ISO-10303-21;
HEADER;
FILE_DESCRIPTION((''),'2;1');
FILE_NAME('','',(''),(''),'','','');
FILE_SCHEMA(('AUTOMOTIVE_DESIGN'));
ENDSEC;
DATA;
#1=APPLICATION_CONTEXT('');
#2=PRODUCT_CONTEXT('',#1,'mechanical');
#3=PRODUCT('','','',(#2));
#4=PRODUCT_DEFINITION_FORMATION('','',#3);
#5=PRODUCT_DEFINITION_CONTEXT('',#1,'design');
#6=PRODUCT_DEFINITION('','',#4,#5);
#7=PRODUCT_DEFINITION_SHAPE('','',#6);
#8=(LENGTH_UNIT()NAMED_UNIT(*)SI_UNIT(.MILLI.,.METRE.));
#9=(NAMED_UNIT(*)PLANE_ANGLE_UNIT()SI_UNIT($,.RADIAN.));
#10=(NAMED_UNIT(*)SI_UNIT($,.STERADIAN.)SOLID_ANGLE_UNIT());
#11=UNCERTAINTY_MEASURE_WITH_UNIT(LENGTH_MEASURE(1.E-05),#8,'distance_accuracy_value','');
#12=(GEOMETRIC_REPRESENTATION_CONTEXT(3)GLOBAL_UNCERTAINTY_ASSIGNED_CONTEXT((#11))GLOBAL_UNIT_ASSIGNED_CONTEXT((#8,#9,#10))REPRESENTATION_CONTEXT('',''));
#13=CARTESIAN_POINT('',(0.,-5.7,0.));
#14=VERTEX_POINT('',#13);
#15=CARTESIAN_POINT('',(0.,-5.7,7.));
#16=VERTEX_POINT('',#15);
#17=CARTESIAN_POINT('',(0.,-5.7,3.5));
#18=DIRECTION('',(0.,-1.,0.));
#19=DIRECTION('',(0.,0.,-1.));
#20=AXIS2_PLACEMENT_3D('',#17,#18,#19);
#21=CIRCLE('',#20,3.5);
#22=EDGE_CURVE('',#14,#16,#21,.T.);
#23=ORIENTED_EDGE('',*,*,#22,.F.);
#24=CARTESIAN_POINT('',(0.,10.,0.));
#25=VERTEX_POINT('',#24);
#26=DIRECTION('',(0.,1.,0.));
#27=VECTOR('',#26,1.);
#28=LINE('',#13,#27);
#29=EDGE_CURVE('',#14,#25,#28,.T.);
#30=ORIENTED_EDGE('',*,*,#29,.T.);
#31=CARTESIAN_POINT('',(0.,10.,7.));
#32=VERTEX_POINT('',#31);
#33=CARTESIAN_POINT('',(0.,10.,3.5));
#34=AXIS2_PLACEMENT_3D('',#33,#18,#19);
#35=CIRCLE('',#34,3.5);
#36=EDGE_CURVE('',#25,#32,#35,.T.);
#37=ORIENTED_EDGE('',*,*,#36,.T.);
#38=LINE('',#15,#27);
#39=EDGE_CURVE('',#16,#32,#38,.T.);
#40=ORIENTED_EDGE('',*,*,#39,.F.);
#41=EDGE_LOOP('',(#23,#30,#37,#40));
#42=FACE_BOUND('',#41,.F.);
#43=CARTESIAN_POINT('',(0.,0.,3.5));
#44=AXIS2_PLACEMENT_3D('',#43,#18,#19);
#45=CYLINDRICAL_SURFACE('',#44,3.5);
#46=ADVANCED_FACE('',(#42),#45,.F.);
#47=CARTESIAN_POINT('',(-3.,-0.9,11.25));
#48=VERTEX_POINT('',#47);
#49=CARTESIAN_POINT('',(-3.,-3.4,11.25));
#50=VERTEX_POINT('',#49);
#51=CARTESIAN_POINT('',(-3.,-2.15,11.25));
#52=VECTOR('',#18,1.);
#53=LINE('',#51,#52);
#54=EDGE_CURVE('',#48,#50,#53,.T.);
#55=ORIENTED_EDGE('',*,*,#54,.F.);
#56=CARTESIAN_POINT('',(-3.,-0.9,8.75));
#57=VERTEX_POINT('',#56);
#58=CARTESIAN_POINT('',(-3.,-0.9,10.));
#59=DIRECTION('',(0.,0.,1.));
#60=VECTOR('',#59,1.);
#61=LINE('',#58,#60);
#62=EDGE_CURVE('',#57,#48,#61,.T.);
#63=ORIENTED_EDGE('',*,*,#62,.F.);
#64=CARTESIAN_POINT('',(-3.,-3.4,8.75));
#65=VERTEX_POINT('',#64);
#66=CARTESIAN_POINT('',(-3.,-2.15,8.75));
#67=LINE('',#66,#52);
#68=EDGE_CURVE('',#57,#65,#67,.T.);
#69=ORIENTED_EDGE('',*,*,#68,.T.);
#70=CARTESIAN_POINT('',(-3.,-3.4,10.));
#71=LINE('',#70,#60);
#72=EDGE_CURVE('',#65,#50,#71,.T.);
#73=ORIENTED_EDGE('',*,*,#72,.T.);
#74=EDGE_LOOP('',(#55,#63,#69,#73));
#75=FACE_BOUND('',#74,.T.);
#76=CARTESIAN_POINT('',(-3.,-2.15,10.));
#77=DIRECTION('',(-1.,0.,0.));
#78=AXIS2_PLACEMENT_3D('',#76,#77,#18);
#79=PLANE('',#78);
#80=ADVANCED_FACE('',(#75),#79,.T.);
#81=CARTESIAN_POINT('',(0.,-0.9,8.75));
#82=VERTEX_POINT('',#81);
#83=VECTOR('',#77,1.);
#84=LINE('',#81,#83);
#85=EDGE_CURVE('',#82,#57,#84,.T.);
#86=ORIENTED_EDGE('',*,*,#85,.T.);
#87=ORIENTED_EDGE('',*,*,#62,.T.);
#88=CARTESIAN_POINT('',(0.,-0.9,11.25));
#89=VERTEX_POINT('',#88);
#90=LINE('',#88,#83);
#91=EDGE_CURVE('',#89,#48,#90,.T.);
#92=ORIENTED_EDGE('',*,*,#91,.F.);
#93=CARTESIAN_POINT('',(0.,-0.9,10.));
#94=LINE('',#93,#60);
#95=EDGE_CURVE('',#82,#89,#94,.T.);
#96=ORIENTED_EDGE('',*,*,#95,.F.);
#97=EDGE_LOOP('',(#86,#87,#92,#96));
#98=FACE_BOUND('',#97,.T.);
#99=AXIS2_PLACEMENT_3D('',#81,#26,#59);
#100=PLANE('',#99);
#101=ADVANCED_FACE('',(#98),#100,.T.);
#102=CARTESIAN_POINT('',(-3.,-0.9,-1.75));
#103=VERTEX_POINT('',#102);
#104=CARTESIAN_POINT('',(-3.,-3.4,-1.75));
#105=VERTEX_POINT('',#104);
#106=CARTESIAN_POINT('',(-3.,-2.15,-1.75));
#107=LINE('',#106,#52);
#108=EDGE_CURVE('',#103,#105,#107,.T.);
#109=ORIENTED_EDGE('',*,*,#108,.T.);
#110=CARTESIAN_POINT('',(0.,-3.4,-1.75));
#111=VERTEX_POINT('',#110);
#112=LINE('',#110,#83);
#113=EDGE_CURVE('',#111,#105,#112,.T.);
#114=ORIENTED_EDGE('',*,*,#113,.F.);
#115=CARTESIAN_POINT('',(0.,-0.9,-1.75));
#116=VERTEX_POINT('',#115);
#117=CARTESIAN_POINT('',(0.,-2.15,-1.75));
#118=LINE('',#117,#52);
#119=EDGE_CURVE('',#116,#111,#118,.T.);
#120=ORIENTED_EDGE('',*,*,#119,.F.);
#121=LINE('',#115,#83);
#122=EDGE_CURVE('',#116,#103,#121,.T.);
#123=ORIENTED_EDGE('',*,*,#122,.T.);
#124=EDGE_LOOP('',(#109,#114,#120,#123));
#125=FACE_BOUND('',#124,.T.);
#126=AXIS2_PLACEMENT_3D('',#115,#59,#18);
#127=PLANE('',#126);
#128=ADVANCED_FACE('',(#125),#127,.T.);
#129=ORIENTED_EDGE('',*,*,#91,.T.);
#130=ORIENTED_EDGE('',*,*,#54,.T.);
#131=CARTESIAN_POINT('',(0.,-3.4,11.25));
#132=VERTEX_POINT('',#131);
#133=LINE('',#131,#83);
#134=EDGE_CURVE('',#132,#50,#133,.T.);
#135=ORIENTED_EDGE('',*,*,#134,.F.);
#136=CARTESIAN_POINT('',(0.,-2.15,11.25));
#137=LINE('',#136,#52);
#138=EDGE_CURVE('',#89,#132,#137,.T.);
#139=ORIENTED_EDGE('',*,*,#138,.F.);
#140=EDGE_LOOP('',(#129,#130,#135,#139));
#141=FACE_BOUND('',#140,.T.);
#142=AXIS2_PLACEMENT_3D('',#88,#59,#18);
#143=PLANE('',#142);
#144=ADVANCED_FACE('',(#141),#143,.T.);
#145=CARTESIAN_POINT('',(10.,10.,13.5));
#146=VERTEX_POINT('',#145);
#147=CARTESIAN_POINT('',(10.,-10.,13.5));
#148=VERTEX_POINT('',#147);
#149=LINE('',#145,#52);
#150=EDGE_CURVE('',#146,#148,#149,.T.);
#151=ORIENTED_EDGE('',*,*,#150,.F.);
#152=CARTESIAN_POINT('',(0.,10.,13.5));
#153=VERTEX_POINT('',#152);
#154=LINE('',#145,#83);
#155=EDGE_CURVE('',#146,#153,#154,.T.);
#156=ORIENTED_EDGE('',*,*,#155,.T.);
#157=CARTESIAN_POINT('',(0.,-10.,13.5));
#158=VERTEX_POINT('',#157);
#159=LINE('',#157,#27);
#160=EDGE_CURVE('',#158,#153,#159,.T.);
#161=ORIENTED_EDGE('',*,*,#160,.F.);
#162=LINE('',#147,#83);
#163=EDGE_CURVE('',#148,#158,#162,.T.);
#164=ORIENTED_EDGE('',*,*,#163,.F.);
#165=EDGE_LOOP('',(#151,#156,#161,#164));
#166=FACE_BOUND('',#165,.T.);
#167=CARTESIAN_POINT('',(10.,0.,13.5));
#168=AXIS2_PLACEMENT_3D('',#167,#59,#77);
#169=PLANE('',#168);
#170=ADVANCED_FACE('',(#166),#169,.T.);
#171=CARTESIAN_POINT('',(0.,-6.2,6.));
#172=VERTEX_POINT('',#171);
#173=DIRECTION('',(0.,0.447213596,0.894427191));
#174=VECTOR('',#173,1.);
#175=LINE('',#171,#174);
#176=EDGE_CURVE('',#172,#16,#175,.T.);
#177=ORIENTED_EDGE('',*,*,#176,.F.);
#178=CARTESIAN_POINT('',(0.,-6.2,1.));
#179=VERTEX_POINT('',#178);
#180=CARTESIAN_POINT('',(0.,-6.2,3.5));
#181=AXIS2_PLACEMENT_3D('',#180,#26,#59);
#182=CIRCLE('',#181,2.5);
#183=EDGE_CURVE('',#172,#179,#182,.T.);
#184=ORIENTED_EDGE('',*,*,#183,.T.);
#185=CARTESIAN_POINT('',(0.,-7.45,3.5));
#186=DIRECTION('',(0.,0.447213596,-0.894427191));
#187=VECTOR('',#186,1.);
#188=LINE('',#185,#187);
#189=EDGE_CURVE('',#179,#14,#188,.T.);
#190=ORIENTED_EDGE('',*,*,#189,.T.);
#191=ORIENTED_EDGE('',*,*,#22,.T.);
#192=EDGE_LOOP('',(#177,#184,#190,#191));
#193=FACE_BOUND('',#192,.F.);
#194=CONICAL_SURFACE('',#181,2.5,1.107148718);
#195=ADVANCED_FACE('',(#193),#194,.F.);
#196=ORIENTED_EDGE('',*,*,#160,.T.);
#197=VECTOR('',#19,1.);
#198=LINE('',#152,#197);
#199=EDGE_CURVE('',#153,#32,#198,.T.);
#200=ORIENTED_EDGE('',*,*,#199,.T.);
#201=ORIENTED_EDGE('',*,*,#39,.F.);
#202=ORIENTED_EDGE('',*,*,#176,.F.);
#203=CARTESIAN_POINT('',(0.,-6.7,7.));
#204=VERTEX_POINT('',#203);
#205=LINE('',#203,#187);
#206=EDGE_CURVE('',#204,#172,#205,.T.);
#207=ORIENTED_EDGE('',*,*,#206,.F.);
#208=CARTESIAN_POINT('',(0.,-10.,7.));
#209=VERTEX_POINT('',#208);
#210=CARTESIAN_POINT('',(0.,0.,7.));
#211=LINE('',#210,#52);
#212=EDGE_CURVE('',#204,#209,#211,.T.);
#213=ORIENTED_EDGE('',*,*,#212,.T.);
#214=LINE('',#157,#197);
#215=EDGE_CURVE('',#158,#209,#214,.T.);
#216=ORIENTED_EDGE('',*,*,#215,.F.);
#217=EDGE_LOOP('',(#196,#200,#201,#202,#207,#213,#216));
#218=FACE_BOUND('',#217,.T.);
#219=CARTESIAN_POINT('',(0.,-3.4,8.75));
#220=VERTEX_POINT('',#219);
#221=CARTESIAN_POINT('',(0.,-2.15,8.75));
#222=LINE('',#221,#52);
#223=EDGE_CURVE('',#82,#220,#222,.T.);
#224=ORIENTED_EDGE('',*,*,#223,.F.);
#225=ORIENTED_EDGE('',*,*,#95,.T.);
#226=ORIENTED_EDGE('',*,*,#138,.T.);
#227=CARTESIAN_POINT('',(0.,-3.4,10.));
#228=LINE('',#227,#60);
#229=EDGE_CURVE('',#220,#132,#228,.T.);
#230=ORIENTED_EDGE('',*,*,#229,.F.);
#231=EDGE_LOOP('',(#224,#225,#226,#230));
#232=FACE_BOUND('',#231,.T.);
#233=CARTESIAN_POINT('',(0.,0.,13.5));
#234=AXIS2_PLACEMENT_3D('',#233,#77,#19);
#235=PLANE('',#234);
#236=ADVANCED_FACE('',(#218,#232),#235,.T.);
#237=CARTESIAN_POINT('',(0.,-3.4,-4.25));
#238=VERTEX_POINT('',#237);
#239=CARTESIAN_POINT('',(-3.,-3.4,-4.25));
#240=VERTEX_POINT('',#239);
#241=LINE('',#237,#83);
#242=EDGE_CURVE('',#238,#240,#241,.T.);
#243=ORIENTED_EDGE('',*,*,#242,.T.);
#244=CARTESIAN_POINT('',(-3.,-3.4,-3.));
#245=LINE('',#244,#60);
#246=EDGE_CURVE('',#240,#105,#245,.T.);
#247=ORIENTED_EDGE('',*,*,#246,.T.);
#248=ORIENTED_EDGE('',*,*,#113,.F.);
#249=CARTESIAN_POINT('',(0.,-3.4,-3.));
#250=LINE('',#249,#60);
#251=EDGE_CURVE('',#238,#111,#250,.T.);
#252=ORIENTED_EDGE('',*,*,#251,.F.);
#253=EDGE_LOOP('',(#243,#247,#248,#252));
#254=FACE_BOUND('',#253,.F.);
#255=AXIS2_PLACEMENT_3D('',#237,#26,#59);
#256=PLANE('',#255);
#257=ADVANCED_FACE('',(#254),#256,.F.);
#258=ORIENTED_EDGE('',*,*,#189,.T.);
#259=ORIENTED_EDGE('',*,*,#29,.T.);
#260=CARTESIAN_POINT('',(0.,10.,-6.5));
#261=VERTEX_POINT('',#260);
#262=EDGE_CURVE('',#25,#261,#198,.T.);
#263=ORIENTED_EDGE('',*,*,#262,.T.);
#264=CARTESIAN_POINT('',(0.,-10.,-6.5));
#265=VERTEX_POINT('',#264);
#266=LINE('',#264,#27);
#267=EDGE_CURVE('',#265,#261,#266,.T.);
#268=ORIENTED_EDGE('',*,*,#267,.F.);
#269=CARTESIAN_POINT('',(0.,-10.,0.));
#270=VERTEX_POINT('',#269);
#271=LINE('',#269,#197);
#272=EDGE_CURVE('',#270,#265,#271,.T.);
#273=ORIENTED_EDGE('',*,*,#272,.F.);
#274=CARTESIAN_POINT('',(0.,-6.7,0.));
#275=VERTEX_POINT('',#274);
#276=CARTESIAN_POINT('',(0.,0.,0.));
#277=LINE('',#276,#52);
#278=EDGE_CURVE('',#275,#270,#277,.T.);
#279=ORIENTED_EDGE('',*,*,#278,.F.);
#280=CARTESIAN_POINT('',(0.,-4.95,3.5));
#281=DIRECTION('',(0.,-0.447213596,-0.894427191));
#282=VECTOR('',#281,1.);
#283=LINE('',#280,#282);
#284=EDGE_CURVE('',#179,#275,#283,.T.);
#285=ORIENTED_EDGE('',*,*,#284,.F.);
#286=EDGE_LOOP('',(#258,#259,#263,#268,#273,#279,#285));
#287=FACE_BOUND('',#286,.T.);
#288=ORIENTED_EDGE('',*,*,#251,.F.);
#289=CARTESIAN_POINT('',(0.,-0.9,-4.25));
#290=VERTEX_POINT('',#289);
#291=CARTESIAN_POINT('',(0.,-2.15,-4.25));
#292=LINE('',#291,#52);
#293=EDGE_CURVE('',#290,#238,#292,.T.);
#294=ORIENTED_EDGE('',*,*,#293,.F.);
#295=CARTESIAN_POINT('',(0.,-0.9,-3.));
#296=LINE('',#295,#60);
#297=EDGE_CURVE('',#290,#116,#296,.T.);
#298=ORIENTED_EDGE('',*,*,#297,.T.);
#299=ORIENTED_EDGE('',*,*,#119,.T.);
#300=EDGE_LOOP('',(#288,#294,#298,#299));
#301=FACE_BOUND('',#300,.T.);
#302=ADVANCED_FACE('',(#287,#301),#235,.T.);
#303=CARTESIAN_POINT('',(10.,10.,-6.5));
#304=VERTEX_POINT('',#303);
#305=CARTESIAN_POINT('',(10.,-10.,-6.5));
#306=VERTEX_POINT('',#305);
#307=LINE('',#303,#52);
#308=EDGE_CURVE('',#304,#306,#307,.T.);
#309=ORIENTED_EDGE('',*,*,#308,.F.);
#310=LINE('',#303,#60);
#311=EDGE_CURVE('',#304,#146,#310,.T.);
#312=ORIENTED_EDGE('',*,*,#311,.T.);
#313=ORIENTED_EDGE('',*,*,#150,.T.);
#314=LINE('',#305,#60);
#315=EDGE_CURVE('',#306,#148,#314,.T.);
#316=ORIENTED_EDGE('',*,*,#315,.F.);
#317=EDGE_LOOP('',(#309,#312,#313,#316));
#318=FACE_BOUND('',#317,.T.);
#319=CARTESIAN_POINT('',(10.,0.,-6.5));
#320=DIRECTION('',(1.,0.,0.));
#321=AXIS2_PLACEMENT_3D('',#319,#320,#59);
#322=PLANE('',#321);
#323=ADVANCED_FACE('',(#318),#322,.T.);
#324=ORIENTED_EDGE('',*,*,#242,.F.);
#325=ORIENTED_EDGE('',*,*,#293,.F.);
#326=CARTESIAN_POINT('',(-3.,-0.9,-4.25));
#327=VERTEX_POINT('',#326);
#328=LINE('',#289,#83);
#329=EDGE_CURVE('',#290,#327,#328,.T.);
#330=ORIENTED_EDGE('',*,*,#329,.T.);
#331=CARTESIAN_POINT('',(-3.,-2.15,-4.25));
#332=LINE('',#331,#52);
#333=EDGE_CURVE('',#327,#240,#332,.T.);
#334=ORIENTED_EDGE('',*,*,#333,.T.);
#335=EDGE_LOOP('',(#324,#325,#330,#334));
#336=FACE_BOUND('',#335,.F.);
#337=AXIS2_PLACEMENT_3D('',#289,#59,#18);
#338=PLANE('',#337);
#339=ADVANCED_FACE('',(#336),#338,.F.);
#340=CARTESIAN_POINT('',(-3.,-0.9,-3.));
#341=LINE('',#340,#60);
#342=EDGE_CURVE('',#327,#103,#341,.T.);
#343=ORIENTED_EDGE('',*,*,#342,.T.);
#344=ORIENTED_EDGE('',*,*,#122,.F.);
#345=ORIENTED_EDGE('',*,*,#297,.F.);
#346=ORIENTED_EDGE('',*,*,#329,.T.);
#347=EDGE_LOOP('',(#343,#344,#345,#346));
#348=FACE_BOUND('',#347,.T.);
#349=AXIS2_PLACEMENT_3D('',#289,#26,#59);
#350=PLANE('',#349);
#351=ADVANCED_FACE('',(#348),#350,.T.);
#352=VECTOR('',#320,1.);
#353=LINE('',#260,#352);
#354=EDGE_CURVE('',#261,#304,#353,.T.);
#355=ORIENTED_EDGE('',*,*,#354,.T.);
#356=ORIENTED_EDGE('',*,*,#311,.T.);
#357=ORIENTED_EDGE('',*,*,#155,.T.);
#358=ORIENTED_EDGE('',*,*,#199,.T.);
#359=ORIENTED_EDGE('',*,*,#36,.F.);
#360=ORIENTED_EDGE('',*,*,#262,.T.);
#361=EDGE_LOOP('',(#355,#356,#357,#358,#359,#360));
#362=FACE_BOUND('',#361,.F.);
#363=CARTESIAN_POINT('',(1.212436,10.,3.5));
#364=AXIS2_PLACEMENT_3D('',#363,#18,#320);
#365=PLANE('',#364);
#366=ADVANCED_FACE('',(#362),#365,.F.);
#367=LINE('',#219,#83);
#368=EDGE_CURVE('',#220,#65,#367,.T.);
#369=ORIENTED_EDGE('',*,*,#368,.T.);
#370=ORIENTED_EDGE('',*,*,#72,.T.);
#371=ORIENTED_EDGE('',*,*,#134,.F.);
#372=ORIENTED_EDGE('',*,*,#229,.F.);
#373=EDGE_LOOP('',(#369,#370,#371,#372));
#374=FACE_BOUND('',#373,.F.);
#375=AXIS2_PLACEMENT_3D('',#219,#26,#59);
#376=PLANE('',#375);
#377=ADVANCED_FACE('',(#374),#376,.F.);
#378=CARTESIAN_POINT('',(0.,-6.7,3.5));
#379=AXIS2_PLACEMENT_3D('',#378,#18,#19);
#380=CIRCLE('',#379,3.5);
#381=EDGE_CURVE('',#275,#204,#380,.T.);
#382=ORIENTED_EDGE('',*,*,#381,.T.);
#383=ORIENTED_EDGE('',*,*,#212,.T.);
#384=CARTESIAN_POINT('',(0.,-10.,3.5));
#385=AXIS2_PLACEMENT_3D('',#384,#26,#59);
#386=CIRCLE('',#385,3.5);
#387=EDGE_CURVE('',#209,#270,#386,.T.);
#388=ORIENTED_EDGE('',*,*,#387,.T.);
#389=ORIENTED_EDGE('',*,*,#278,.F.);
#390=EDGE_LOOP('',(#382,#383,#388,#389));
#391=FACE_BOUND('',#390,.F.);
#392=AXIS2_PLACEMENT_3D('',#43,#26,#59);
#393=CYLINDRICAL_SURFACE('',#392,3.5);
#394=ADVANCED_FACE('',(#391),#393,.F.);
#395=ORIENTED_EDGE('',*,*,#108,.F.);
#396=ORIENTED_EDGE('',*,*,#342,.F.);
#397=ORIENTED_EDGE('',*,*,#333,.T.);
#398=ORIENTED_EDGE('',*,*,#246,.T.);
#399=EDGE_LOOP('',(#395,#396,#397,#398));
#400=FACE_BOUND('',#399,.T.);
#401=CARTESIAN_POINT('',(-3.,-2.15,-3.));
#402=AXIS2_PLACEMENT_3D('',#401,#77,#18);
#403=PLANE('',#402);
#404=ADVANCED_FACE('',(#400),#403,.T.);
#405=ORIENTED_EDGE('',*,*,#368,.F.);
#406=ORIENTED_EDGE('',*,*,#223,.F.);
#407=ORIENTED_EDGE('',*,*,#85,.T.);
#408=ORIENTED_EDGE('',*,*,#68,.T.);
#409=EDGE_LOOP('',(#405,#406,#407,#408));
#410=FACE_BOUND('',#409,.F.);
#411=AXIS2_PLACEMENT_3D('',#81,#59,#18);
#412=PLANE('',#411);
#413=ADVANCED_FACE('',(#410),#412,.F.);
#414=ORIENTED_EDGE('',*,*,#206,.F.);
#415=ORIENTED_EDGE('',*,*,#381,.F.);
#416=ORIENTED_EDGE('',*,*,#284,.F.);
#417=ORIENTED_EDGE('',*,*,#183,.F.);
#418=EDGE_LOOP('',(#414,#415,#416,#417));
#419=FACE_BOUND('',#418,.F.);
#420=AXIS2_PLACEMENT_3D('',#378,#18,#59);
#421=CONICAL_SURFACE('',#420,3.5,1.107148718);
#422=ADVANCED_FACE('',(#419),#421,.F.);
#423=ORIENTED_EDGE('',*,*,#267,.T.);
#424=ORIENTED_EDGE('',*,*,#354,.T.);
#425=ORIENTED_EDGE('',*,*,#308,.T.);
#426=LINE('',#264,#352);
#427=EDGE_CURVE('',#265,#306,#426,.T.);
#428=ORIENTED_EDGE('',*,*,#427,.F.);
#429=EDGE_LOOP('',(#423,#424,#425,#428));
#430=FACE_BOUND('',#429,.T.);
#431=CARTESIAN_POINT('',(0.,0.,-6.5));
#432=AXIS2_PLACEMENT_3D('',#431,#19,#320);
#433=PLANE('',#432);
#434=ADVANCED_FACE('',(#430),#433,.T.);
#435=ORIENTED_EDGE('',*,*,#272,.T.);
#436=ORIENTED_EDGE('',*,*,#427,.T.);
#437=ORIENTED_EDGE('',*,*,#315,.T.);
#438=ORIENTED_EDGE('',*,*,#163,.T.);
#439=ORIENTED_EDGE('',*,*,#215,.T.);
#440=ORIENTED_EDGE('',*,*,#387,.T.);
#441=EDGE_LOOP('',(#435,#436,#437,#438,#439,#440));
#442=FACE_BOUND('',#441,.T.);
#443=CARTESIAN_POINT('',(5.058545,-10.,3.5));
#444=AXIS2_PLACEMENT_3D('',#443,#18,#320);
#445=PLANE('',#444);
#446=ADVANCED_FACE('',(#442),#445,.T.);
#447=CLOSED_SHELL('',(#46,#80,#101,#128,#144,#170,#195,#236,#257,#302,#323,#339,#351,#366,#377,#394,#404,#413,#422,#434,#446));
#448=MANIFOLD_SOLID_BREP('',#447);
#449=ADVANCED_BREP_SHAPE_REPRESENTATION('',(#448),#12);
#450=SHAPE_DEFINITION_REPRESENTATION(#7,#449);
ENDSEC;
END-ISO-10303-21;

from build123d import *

# Parameters (mm, degrees)
F1_DEPTH  = 10
F3_DEPTH  = 6.7
F5_DEPTH  = 5.7
F8_W      = 2.5
F8_H      = 2.5
F10_DEPTH = 3
F9_W      = 2.5
F9_H      = 2.5
F11_DEPTH = 3
F13_DEPTH = 10
F14_DEPTH = 11


with BuildPart() as f1:
    # F0 (on Front) → F1 (new body)
    with BuildSketch(Plane.XZ):
        with BuildLine():
            ThreePointArc((0, 7), (3.5, 3.5), (0, 0))
            Line((0, 0), (0, -6.5))
            Line((0, -6.5), (10, -6.5))
            Line((10, -6.5), (10, 13.5))
            Line((10, 13.5), (0, 13.5))
            Line((0, 13.5), (0, 7))
        make_face()
    extrude(amount=F1_DEPTH)

    # F2 (on Front) → F3 (join)
    with BuildSketch(Plane.XZ):
        with BuildLine():
            ThreePointArc((0, 6), (2.5, 3.5), (0, 1))
            Line((0, 1), (0, 0))
            ThreePointArc((0, 0), (3.5, 3.5), (0, 7))
            Line((0, 7), (0, 6))
        make_face()
    extrude(amount=F3_DEPTH)

    # F4 (on Front) → F5 (cut)
    with BuildSketch(Plane.XZ):
        with BuildLine():
            Line((0, 1), (0, 0))
            ThreePointArc((0, 0), (3.5, 3.5), (0, 7))
            Line((0, 7), (0, 6))
            ThreePointArc((0, 6), (2.5, 3.5), (0, 1))
        make_face()
    extrude(amount=F5_DEPTH, mode=Mode.SUBTRACT)

    # F6 (on face) → F7 (revolve, cut)
    with BuildSketch(Plane(origin=(0, 0, 0), x_dir=(0, -1, 0), z_dir=(-1, 0, 0))):
        Polygon((6.2, 6), (5.7, 7), (5.7, 6), align=None)
        Polygon((6.7, 7), (6.2, 6), (6.7, 6), align=None)
    revolve(axis=Axis((0, 0, 3.5), (0, 1, 0)), mode=Mode.SUBTRACT)

    # F8 (on face) → F10 (join)
    with BuildSketch(Plane(origin=(0, 0, 0), x_dir=(0, -1, 0), z_dir=(-1, 0, 0))):
        with Locations((2.15, 10)):
            Rectangle(F8_W, F8_H)
    extrude(amount=F10_DEPTH)

    # F9 (on face) → F11 (join)
    with BuildSketch(Plane(origin=(0, 0, 0), x_dir=(0, -1, 0), z_dir=(-1, 0, 0))):
        with Locations((2.15, -3)):
            Rectangle(F9_W, F9_H)
    extrude(amount=F11_DEPTH)

    # F0 (on Front) → F13 (join)
    with BuildSketch(Plane.XZ):
        with BuildLine():
            Line((0, 7), (0, 0))
            ThreePointArc((0, 0), (3.5, 3.5), (0, 7))
        make_face()
        with BuildLine():
            ThreePointArc((0, 7), (3.5, 3.5), (0, 0))
            Line((0, 0), (0, -6.5))
            Line((0, -6.5), (10, -6.5))
            Line((10, -6.5), (10, 13.5))
            Line((10, 13.5), (0, 13.5))
            Line((0, 13.5), (0, 7))
        make_face()
    extrude(amount=-F13_DEPTH)

    # F14 (cut): a face of the model
    f14_faces = [f1.faces().sort_by_distance(p)[0] for p in [
        (1.4854461355, 0, 3.5),
    ]]
    extrude(f14_faces, amount=-F14_DEPTH, mode=Mode.SUBTRACT)


solid = f1.part
